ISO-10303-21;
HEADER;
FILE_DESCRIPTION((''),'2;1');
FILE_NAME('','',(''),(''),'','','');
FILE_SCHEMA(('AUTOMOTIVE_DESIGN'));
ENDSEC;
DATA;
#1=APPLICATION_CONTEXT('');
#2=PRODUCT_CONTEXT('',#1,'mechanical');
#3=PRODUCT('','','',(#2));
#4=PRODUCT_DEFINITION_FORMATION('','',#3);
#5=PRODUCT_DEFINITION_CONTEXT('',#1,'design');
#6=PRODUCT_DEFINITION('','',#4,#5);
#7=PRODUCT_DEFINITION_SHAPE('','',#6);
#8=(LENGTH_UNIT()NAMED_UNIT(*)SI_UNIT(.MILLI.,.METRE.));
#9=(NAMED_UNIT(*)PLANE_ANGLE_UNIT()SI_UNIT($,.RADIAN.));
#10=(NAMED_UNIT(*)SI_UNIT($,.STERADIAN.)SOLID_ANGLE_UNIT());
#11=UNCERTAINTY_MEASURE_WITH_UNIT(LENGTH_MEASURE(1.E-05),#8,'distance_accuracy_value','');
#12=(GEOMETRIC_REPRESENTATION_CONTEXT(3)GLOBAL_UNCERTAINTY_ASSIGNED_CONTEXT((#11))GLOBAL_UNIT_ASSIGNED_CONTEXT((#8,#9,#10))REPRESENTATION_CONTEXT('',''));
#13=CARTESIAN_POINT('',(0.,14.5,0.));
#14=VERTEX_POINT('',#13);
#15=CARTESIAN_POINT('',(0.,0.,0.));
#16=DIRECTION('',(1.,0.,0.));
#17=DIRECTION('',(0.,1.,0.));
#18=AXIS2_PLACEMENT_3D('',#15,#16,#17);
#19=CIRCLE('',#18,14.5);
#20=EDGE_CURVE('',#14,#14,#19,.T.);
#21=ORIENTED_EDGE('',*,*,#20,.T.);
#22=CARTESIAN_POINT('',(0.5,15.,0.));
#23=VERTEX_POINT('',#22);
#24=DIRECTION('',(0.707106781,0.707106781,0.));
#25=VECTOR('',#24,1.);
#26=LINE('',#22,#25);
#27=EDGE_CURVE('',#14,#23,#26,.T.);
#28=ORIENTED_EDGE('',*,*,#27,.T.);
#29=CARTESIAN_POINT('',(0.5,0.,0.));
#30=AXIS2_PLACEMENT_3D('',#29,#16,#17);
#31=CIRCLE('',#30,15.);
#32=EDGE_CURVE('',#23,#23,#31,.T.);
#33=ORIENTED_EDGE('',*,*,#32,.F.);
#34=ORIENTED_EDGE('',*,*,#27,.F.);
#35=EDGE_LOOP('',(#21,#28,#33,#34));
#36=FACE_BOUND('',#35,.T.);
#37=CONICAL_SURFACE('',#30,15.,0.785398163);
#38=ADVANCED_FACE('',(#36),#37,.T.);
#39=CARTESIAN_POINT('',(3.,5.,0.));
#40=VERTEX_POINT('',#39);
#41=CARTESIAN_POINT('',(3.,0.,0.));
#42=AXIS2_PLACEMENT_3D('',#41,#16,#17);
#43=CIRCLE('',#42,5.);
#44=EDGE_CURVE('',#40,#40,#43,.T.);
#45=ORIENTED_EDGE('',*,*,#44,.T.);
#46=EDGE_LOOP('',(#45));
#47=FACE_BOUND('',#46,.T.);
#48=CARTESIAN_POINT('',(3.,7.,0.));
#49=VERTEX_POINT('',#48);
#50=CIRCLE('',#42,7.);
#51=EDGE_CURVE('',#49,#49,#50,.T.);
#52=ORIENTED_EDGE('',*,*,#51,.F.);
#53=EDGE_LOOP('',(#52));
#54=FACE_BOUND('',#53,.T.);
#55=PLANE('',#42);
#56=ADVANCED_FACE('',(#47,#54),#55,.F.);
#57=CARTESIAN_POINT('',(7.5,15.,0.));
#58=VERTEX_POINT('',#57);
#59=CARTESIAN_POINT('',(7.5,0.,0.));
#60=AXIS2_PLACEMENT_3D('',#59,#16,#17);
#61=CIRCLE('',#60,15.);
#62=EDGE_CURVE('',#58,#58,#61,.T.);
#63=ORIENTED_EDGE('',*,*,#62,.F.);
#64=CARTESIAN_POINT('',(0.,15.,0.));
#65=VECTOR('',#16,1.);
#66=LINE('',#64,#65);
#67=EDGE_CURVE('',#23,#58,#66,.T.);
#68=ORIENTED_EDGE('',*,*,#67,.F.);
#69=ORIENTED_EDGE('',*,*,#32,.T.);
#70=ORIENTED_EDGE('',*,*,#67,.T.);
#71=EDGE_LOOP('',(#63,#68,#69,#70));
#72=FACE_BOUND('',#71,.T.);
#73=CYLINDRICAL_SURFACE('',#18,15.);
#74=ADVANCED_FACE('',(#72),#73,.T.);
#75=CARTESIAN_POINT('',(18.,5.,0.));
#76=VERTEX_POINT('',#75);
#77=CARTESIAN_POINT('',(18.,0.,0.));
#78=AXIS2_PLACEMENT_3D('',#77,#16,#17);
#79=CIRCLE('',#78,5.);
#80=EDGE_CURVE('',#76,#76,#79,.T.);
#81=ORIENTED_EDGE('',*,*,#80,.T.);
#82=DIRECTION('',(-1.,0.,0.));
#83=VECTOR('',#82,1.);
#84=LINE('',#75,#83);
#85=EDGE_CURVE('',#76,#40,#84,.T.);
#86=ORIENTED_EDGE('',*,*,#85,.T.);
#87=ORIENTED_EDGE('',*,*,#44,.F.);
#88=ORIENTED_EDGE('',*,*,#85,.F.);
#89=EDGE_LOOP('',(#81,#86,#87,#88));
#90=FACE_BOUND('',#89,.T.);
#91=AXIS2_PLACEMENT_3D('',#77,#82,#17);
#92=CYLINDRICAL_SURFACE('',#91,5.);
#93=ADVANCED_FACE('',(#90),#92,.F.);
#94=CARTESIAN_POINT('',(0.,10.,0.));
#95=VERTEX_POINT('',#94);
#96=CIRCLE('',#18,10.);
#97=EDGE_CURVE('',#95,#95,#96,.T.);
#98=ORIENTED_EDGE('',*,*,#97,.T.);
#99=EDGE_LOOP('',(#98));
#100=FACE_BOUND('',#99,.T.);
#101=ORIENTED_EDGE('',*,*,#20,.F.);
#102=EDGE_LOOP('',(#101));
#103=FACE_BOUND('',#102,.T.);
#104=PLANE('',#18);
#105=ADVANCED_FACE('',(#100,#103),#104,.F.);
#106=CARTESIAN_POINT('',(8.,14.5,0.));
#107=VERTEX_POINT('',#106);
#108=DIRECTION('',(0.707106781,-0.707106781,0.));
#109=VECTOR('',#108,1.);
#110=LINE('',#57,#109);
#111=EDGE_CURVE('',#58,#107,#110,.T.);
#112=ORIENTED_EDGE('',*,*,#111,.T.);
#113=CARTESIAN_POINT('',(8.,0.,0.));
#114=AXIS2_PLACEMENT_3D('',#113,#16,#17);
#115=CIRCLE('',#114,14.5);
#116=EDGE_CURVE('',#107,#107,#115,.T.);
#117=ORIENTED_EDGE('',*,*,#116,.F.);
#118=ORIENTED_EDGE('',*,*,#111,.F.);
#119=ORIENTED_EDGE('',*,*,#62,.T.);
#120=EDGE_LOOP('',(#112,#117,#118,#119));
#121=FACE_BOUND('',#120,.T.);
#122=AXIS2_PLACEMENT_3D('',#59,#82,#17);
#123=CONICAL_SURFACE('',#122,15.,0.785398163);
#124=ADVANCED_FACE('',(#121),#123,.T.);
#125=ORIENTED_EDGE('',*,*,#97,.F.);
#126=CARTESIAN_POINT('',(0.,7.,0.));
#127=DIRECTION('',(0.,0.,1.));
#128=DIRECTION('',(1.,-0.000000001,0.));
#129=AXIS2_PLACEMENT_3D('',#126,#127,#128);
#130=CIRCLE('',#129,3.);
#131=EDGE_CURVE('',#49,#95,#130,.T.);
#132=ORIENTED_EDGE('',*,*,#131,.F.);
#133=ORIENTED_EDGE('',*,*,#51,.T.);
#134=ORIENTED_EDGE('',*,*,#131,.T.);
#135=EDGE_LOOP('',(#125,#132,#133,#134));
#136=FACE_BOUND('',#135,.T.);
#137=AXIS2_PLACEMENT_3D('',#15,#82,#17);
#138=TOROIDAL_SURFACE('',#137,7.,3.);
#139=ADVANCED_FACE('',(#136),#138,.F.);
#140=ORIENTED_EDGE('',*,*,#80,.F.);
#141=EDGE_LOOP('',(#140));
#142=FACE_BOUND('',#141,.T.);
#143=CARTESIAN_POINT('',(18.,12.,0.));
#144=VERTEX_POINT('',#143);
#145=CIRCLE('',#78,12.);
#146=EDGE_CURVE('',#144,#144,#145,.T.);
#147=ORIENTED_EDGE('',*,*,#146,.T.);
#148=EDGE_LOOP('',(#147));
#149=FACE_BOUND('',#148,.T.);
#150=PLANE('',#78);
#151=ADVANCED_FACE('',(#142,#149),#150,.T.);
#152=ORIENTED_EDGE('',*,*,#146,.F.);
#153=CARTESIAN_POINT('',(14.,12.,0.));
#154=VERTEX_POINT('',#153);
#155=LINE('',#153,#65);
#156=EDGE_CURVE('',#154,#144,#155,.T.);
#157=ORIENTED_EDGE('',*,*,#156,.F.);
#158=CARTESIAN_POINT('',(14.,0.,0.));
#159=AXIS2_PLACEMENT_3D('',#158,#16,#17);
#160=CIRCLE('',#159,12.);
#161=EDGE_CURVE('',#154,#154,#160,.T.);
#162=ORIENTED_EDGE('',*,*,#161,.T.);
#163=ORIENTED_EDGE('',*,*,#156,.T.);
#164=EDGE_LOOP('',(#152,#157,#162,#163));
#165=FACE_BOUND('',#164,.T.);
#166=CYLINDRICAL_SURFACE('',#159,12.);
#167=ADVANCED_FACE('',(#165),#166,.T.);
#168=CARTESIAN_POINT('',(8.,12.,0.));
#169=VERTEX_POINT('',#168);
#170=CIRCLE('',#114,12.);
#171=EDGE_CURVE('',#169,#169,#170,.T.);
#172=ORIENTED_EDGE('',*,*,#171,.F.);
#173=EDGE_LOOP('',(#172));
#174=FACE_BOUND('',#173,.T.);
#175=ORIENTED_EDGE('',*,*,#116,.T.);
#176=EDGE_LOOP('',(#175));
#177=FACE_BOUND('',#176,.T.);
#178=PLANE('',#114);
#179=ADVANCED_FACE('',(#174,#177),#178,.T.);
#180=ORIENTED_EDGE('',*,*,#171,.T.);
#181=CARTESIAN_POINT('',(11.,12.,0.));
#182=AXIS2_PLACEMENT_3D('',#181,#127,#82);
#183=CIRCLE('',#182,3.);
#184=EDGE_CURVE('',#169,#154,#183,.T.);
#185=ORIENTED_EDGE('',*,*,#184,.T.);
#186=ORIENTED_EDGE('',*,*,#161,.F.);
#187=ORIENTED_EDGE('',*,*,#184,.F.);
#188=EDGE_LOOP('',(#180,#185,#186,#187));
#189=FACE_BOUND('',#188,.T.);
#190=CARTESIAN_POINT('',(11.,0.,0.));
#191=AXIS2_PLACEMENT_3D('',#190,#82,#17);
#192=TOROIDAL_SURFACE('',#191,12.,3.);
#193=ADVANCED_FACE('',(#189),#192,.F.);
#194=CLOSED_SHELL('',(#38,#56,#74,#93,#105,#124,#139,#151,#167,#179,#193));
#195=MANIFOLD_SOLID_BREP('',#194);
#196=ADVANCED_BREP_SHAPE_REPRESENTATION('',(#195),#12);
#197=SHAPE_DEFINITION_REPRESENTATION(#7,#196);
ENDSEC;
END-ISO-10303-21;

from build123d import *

# Parameters (mm, degrees)
CHAMFER1_SIZE = 0.5


with BuildPart() as part:
    # Sketch1 → Revolve1 (revolve)
    with BuildSketch(Plane.XY):
        with BuildLine():
            Line((18, 12), (18, 5))
            Line((18, 5), (3, 5))
            Line((3, 5), (3, 7))
            ThreePointArc((3, 7), (2.121320344, 9.121320344), (0, 10))
            Line((0, 10), (0, 15))
            Line((0, 15), (8, 15))
            Line((8, 15), (8, 12))
            ThreePointArc((8, 12), (11, 9), (14, 12))
            Line((14, 12), (18, 12))
        make_face()
    revolve(axis=Axis((0, 0, 0), (1, 0, 0)))

    # Chamfer1
    chamfer1_edges = [part.edges().sort_by_distance(p)[0] for p in [
        (0, -15, 0),
        (8, -15, 0),
    ]]
    chamfer(chamfer1_edges, length=CHAMFER1_SIZE)


solid = part.part
